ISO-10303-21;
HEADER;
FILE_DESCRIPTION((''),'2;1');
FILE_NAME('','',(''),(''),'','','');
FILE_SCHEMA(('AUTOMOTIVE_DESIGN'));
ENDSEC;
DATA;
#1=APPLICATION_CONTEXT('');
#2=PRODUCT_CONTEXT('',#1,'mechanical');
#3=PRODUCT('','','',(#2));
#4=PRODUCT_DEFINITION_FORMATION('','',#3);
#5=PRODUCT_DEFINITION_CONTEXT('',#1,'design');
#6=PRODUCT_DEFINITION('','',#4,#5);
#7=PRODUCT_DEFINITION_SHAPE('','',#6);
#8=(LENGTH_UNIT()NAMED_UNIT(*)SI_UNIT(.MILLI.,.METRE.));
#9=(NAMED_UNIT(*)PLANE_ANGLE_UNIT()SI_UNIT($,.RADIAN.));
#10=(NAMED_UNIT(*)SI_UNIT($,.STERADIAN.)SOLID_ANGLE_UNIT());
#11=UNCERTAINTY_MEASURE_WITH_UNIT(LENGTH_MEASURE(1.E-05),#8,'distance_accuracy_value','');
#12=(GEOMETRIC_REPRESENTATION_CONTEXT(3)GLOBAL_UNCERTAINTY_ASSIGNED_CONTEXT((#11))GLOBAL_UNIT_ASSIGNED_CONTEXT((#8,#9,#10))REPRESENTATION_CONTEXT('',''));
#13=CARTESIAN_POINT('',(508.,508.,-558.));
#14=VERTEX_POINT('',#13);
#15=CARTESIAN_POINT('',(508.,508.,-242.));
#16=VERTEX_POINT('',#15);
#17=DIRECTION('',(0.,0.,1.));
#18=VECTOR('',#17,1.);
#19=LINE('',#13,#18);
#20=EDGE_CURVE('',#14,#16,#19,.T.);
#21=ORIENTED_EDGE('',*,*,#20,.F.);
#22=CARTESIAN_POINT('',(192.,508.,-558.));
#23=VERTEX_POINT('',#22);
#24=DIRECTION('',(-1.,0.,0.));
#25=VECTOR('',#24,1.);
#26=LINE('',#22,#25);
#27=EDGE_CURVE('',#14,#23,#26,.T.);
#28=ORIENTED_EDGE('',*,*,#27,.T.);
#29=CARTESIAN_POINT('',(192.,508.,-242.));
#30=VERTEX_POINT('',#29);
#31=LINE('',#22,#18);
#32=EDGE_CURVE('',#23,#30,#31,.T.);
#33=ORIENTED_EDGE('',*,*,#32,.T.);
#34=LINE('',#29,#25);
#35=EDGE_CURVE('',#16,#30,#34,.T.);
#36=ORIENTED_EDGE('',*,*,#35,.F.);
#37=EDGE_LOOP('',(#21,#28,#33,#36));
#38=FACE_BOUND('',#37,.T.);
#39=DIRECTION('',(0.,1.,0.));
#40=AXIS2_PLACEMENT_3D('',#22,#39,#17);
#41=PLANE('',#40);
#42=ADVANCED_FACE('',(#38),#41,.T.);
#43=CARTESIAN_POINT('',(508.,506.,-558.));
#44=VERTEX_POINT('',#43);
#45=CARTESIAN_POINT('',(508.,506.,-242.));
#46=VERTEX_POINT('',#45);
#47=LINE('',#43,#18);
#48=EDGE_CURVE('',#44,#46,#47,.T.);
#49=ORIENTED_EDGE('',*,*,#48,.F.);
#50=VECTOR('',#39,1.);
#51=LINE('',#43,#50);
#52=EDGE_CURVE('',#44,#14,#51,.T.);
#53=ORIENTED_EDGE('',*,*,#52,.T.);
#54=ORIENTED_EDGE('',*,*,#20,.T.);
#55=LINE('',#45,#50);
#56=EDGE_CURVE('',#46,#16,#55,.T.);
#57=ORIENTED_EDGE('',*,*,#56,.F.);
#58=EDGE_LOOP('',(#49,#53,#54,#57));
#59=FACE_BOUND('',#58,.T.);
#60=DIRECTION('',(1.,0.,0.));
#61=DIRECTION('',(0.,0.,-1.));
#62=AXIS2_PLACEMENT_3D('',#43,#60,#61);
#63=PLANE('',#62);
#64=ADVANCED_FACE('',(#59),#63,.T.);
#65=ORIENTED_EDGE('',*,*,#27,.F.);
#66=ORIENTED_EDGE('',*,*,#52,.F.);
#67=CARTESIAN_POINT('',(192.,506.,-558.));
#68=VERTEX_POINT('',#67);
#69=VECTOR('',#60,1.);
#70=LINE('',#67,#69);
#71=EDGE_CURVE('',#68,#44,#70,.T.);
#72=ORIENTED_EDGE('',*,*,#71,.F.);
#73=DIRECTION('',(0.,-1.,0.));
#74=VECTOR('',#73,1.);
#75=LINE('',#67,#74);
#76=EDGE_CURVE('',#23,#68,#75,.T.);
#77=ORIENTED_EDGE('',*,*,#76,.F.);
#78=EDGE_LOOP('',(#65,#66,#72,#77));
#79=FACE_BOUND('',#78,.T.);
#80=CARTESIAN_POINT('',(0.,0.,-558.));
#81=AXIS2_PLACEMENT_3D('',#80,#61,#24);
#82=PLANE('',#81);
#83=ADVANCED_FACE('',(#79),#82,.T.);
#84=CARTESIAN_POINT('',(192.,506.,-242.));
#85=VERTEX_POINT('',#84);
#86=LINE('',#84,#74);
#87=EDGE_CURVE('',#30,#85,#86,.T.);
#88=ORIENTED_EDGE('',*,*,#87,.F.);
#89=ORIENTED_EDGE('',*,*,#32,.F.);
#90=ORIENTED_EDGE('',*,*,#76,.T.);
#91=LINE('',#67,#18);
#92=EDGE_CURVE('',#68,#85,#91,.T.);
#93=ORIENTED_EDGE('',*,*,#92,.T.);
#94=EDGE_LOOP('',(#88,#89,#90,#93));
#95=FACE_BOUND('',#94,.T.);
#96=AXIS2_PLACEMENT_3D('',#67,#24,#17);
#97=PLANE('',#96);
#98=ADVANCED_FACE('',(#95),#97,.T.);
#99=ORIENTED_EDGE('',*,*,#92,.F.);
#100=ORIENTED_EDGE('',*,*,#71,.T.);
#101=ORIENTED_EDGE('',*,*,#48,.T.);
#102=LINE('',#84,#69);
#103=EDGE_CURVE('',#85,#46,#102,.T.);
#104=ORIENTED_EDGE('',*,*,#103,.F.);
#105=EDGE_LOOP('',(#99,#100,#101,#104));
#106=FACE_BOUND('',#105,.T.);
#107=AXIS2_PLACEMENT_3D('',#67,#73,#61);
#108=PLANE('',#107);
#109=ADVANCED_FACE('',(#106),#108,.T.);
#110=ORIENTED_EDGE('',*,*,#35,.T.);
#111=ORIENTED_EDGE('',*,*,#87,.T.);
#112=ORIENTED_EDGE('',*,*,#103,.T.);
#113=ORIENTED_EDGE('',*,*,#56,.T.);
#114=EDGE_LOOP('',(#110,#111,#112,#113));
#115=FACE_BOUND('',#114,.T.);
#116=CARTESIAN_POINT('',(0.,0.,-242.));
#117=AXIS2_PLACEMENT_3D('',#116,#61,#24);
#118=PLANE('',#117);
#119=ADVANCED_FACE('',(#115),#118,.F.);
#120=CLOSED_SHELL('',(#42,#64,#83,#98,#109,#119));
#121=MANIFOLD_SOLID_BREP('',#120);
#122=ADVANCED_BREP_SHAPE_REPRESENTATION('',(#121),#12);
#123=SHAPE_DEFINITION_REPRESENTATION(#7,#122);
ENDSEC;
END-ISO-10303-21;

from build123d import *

# Parameters (mm, degrees)
PACK_PLUNGER_PLAKASI_316X316X2_1_START = -242
SKETCH1_W                              = 316
SKETCH1_H                              = 2
PACK_PLUNGER_PLAKASI_316X316X2_1_DEPTH = 316


with BuildPart() as part:
    # Sketch1 → PACK_plunger_plakasi_316x316x2_1 (new body)
    with BuildSketch(Plane.XY.offset(PACK_PLUNGER_PLAKASI_316X316X2_1_START)):
        with Locations((350, 507)):
            Rectangle(SKETCH1_W, SKETCH1_H)
    extrude(amount=-PACK_PLUNGER_PLAKASI_316X316X2_1_DEPTH)


solid = part.part
